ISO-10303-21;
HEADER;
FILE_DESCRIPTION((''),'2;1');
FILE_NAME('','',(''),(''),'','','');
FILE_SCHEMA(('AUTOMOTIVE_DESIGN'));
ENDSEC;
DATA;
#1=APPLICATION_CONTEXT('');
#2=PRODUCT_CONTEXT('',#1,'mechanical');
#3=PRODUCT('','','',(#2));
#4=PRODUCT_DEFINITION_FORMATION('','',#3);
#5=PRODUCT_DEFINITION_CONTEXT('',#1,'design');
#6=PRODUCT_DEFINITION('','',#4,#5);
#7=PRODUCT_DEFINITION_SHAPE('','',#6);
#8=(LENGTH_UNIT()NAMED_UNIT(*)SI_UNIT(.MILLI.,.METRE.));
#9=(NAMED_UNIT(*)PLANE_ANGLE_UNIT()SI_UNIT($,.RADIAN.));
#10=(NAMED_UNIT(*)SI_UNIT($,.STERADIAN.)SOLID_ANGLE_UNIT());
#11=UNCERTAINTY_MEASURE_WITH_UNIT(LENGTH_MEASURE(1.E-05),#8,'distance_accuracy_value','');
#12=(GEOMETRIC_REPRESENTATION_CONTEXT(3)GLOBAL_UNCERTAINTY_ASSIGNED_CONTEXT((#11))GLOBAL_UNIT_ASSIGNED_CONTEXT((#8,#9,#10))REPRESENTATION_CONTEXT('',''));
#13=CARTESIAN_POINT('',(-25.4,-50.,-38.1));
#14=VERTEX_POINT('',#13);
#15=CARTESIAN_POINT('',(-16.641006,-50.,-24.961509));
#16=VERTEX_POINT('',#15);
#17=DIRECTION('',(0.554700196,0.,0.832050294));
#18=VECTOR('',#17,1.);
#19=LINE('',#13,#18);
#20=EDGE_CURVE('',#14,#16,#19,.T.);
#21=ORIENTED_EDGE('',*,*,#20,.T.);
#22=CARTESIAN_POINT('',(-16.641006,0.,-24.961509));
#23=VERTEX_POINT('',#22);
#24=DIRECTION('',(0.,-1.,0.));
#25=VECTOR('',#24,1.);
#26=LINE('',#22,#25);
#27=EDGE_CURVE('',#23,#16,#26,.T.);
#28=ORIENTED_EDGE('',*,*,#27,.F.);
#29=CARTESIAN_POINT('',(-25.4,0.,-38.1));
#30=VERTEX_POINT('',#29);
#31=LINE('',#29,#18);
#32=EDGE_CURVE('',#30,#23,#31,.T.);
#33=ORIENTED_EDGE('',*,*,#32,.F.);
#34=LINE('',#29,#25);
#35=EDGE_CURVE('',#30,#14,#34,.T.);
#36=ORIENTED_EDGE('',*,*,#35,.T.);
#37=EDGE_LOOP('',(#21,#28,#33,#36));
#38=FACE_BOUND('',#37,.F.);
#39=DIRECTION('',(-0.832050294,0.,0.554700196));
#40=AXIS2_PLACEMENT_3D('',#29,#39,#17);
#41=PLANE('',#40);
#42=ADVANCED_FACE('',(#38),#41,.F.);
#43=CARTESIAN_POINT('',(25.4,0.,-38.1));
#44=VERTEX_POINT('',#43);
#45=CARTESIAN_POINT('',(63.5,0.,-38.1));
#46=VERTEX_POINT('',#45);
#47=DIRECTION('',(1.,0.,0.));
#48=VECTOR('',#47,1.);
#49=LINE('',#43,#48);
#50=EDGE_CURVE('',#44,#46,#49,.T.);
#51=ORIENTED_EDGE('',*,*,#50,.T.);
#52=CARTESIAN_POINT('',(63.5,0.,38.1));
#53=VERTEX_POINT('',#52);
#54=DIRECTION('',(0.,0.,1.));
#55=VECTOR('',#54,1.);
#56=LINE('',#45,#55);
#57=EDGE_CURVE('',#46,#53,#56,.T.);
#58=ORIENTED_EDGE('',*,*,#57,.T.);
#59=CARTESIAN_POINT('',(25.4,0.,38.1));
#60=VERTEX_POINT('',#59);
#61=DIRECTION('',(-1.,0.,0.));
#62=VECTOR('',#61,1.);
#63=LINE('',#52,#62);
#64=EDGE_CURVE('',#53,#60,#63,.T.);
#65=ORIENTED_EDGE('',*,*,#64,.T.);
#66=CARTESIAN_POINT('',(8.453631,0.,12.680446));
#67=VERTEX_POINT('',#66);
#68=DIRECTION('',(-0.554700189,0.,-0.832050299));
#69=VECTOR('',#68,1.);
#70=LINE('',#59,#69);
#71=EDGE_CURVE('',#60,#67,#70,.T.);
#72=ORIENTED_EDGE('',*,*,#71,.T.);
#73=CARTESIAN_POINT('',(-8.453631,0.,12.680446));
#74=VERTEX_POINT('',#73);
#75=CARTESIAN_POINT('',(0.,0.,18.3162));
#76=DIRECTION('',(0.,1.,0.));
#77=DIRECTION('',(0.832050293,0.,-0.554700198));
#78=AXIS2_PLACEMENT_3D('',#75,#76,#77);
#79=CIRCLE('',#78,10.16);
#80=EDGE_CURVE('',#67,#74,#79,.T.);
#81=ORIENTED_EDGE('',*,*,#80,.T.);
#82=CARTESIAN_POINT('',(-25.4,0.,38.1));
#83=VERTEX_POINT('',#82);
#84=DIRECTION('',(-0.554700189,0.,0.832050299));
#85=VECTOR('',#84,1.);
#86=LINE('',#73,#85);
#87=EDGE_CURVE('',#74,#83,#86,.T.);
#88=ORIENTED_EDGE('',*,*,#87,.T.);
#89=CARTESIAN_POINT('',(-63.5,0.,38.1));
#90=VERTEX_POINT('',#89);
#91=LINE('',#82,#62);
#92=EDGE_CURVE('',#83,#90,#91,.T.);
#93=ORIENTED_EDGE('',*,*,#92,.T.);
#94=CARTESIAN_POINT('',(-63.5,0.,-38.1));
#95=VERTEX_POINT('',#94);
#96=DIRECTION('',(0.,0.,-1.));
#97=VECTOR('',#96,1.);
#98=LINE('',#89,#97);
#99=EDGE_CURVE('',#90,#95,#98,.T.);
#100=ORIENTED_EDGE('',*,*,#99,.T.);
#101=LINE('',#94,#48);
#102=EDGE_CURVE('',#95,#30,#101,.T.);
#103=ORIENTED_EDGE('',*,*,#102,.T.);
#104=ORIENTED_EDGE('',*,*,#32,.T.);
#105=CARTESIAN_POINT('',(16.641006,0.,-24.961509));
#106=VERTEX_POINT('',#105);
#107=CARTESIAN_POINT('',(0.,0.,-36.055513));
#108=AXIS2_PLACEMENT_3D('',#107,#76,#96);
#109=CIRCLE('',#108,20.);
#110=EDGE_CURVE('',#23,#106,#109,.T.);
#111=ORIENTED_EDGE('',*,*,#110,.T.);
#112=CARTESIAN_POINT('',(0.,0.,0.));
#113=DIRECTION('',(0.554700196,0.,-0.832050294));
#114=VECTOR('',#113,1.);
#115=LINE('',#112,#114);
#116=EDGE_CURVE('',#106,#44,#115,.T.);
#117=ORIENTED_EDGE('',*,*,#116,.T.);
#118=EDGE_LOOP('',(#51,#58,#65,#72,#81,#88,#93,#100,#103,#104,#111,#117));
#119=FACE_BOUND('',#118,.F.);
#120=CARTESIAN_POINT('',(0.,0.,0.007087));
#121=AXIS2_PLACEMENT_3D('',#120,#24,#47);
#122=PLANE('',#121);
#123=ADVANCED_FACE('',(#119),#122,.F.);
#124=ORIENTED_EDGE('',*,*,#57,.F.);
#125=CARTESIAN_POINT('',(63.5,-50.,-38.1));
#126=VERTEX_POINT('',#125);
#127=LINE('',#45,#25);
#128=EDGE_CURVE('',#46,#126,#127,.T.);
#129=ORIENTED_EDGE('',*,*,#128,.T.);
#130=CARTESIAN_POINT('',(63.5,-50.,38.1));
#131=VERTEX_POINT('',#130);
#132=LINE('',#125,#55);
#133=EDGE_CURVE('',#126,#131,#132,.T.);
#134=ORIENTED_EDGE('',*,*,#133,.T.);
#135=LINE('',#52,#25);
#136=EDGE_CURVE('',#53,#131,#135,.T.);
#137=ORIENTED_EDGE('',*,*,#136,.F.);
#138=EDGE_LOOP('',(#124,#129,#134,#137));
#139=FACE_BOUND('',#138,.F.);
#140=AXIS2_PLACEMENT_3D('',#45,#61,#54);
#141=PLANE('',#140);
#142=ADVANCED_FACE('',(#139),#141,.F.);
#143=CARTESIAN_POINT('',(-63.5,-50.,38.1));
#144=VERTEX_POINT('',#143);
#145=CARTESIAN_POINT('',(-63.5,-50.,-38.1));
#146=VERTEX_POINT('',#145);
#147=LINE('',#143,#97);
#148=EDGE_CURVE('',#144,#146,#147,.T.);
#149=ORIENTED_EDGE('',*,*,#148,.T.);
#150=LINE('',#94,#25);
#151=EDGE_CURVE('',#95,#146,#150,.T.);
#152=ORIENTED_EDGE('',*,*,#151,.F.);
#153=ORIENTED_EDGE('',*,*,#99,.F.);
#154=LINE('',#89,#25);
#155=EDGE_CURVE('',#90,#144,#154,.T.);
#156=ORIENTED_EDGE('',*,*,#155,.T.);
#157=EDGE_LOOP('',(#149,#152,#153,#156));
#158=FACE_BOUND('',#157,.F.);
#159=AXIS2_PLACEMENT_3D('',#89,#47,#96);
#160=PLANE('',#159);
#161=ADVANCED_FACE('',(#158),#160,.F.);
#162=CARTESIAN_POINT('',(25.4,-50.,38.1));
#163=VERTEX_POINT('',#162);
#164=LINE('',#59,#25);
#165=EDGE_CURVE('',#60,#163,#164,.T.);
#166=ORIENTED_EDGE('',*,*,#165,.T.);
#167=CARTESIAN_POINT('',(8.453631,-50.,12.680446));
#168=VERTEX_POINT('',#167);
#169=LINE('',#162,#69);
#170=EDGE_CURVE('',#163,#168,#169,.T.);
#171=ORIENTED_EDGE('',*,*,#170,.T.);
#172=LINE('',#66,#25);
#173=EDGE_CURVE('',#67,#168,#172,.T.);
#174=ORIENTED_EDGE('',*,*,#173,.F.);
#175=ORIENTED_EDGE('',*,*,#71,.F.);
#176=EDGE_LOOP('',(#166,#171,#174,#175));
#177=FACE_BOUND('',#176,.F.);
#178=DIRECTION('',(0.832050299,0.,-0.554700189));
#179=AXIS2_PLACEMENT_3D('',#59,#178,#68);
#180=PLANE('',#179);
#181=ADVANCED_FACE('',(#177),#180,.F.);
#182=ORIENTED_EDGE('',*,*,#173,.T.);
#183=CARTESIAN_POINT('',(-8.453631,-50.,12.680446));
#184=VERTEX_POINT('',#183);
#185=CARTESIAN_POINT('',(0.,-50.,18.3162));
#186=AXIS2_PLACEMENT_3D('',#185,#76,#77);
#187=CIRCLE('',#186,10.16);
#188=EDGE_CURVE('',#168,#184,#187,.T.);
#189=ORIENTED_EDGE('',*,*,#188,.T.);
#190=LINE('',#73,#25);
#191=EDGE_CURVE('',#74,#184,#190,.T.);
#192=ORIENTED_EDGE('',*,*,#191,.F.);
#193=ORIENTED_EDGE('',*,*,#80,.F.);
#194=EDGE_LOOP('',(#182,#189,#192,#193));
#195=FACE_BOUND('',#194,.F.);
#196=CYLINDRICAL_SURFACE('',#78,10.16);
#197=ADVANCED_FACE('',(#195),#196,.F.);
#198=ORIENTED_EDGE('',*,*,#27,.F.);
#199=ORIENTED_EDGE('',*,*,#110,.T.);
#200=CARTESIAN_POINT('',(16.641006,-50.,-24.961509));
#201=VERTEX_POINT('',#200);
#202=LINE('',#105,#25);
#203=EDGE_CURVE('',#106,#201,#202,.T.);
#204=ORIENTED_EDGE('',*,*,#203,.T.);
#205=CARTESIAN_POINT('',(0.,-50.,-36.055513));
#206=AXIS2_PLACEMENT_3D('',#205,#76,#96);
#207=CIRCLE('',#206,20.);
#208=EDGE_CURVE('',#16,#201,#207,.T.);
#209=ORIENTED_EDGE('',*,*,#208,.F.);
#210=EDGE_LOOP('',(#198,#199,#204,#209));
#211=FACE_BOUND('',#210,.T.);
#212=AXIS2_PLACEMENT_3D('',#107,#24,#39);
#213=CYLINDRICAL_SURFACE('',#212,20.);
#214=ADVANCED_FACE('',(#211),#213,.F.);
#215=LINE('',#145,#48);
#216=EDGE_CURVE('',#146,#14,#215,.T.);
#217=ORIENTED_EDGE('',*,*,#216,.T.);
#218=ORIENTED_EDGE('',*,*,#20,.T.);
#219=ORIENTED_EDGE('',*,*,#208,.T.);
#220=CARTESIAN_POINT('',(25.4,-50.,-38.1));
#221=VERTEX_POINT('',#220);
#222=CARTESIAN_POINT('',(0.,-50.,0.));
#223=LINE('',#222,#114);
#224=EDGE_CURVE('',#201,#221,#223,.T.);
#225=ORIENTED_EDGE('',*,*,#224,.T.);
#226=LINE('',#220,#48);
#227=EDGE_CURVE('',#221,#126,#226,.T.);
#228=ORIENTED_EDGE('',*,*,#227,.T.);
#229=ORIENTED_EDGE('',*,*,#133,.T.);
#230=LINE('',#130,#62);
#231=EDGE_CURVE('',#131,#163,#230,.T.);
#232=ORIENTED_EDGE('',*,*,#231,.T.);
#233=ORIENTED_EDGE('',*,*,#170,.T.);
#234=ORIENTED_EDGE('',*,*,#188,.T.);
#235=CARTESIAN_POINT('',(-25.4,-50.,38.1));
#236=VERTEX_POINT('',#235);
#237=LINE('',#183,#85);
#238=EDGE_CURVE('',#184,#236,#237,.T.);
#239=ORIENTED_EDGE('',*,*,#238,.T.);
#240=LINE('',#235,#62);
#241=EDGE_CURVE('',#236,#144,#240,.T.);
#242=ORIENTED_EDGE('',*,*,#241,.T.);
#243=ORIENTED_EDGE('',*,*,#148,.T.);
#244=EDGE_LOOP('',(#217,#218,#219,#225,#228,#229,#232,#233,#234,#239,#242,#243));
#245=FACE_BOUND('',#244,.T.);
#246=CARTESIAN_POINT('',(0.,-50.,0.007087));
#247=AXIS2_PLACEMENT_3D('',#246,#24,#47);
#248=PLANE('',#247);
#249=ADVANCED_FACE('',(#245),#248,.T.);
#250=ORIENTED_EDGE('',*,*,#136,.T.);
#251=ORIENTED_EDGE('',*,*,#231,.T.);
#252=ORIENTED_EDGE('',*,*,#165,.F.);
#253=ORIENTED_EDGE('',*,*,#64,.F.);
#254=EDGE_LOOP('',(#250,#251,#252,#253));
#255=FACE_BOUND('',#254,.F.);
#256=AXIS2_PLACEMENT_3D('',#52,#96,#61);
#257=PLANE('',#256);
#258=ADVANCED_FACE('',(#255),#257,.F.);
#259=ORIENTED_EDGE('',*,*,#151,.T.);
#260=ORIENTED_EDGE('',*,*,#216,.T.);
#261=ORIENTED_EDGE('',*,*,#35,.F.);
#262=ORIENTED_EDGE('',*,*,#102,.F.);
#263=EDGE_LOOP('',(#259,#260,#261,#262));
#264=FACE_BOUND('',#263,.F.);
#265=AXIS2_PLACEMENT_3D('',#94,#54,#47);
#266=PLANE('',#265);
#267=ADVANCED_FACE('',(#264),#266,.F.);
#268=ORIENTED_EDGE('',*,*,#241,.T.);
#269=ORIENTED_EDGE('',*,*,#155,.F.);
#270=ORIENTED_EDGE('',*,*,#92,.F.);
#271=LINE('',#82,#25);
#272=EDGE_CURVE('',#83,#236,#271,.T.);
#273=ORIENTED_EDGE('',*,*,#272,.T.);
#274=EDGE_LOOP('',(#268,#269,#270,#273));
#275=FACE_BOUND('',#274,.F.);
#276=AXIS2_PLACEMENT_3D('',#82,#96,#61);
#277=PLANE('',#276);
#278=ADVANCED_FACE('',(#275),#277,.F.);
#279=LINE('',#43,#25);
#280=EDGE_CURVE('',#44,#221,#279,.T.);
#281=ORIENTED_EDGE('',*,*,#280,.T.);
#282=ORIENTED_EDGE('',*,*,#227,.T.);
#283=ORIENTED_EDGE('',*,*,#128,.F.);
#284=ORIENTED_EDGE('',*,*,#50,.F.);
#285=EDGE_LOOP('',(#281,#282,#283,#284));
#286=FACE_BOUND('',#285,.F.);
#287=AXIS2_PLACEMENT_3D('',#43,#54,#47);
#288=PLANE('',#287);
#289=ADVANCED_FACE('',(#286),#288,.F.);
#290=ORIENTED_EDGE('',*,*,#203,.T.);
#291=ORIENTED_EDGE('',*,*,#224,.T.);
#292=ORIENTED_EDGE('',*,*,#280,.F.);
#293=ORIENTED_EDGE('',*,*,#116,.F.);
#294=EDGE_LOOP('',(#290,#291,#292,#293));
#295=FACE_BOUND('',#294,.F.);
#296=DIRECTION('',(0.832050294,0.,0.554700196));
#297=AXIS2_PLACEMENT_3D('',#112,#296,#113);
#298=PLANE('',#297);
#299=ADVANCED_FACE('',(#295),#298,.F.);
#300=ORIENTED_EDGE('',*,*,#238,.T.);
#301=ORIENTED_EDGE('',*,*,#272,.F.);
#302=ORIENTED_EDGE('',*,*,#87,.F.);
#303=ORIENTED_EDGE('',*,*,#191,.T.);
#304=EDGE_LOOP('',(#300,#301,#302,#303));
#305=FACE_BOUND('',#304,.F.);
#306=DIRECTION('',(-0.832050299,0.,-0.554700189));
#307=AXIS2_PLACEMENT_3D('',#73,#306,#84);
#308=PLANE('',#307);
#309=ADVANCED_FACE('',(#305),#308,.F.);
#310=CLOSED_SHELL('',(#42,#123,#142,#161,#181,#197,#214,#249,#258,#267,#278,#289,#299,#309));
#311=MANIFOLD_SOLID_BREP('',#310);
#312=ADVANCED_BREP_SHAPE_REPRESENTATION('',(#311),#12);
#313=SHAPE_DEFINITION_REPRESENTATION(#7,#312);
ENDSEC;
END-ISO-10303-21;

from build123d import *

# Parameters (mm, degrees)
F1_DEPTH = 50
F2_R     = 20


with BuildPart() as f1:
    # F0 (on Front) → F1 (new body)
    with BuildSketch(Plane.XZ):
        with BuildLine():
            Line((-63.5, 38.1), (-63.5, 0))
            Line((-63.5, 0), (-63.5, -38.1))
            Line((-63.5, -38.1), (-25.4, -38.1))
            Line((-25.4, -38.1), (0, 0))
            Line((0, 0), (25.4, -38.1))
            Line((25.4, -38.1), (63.5, -38.1))
            Line((63.5, -38.1), (63.5, 0))
            Line((63.5, 0), (63.5, 38.1))
            Line((63.5, 38.1), (25.4, 38.1))
            Line((25.4, 38.1), (8.453631, 12.680446))
            ThreePointArc((8.453631, 12.680446), (0, 8.1562), (-8.453631, 12.680446))
            Line((-8.453631, 12.680446), (-25.4, 38.1))
            Line((-25.4, 38.1), (-63.5, 38.1))
        make_face()
    extrude(amount=F1_DEPTH)

    # F2
    f2_edges = [f1.edges().sort_by_distance(p)[0] for p in [
        (0, -25, 0),
    ]]
    fillet(f2_edges, radius=F2_R)


solid = f1.part
